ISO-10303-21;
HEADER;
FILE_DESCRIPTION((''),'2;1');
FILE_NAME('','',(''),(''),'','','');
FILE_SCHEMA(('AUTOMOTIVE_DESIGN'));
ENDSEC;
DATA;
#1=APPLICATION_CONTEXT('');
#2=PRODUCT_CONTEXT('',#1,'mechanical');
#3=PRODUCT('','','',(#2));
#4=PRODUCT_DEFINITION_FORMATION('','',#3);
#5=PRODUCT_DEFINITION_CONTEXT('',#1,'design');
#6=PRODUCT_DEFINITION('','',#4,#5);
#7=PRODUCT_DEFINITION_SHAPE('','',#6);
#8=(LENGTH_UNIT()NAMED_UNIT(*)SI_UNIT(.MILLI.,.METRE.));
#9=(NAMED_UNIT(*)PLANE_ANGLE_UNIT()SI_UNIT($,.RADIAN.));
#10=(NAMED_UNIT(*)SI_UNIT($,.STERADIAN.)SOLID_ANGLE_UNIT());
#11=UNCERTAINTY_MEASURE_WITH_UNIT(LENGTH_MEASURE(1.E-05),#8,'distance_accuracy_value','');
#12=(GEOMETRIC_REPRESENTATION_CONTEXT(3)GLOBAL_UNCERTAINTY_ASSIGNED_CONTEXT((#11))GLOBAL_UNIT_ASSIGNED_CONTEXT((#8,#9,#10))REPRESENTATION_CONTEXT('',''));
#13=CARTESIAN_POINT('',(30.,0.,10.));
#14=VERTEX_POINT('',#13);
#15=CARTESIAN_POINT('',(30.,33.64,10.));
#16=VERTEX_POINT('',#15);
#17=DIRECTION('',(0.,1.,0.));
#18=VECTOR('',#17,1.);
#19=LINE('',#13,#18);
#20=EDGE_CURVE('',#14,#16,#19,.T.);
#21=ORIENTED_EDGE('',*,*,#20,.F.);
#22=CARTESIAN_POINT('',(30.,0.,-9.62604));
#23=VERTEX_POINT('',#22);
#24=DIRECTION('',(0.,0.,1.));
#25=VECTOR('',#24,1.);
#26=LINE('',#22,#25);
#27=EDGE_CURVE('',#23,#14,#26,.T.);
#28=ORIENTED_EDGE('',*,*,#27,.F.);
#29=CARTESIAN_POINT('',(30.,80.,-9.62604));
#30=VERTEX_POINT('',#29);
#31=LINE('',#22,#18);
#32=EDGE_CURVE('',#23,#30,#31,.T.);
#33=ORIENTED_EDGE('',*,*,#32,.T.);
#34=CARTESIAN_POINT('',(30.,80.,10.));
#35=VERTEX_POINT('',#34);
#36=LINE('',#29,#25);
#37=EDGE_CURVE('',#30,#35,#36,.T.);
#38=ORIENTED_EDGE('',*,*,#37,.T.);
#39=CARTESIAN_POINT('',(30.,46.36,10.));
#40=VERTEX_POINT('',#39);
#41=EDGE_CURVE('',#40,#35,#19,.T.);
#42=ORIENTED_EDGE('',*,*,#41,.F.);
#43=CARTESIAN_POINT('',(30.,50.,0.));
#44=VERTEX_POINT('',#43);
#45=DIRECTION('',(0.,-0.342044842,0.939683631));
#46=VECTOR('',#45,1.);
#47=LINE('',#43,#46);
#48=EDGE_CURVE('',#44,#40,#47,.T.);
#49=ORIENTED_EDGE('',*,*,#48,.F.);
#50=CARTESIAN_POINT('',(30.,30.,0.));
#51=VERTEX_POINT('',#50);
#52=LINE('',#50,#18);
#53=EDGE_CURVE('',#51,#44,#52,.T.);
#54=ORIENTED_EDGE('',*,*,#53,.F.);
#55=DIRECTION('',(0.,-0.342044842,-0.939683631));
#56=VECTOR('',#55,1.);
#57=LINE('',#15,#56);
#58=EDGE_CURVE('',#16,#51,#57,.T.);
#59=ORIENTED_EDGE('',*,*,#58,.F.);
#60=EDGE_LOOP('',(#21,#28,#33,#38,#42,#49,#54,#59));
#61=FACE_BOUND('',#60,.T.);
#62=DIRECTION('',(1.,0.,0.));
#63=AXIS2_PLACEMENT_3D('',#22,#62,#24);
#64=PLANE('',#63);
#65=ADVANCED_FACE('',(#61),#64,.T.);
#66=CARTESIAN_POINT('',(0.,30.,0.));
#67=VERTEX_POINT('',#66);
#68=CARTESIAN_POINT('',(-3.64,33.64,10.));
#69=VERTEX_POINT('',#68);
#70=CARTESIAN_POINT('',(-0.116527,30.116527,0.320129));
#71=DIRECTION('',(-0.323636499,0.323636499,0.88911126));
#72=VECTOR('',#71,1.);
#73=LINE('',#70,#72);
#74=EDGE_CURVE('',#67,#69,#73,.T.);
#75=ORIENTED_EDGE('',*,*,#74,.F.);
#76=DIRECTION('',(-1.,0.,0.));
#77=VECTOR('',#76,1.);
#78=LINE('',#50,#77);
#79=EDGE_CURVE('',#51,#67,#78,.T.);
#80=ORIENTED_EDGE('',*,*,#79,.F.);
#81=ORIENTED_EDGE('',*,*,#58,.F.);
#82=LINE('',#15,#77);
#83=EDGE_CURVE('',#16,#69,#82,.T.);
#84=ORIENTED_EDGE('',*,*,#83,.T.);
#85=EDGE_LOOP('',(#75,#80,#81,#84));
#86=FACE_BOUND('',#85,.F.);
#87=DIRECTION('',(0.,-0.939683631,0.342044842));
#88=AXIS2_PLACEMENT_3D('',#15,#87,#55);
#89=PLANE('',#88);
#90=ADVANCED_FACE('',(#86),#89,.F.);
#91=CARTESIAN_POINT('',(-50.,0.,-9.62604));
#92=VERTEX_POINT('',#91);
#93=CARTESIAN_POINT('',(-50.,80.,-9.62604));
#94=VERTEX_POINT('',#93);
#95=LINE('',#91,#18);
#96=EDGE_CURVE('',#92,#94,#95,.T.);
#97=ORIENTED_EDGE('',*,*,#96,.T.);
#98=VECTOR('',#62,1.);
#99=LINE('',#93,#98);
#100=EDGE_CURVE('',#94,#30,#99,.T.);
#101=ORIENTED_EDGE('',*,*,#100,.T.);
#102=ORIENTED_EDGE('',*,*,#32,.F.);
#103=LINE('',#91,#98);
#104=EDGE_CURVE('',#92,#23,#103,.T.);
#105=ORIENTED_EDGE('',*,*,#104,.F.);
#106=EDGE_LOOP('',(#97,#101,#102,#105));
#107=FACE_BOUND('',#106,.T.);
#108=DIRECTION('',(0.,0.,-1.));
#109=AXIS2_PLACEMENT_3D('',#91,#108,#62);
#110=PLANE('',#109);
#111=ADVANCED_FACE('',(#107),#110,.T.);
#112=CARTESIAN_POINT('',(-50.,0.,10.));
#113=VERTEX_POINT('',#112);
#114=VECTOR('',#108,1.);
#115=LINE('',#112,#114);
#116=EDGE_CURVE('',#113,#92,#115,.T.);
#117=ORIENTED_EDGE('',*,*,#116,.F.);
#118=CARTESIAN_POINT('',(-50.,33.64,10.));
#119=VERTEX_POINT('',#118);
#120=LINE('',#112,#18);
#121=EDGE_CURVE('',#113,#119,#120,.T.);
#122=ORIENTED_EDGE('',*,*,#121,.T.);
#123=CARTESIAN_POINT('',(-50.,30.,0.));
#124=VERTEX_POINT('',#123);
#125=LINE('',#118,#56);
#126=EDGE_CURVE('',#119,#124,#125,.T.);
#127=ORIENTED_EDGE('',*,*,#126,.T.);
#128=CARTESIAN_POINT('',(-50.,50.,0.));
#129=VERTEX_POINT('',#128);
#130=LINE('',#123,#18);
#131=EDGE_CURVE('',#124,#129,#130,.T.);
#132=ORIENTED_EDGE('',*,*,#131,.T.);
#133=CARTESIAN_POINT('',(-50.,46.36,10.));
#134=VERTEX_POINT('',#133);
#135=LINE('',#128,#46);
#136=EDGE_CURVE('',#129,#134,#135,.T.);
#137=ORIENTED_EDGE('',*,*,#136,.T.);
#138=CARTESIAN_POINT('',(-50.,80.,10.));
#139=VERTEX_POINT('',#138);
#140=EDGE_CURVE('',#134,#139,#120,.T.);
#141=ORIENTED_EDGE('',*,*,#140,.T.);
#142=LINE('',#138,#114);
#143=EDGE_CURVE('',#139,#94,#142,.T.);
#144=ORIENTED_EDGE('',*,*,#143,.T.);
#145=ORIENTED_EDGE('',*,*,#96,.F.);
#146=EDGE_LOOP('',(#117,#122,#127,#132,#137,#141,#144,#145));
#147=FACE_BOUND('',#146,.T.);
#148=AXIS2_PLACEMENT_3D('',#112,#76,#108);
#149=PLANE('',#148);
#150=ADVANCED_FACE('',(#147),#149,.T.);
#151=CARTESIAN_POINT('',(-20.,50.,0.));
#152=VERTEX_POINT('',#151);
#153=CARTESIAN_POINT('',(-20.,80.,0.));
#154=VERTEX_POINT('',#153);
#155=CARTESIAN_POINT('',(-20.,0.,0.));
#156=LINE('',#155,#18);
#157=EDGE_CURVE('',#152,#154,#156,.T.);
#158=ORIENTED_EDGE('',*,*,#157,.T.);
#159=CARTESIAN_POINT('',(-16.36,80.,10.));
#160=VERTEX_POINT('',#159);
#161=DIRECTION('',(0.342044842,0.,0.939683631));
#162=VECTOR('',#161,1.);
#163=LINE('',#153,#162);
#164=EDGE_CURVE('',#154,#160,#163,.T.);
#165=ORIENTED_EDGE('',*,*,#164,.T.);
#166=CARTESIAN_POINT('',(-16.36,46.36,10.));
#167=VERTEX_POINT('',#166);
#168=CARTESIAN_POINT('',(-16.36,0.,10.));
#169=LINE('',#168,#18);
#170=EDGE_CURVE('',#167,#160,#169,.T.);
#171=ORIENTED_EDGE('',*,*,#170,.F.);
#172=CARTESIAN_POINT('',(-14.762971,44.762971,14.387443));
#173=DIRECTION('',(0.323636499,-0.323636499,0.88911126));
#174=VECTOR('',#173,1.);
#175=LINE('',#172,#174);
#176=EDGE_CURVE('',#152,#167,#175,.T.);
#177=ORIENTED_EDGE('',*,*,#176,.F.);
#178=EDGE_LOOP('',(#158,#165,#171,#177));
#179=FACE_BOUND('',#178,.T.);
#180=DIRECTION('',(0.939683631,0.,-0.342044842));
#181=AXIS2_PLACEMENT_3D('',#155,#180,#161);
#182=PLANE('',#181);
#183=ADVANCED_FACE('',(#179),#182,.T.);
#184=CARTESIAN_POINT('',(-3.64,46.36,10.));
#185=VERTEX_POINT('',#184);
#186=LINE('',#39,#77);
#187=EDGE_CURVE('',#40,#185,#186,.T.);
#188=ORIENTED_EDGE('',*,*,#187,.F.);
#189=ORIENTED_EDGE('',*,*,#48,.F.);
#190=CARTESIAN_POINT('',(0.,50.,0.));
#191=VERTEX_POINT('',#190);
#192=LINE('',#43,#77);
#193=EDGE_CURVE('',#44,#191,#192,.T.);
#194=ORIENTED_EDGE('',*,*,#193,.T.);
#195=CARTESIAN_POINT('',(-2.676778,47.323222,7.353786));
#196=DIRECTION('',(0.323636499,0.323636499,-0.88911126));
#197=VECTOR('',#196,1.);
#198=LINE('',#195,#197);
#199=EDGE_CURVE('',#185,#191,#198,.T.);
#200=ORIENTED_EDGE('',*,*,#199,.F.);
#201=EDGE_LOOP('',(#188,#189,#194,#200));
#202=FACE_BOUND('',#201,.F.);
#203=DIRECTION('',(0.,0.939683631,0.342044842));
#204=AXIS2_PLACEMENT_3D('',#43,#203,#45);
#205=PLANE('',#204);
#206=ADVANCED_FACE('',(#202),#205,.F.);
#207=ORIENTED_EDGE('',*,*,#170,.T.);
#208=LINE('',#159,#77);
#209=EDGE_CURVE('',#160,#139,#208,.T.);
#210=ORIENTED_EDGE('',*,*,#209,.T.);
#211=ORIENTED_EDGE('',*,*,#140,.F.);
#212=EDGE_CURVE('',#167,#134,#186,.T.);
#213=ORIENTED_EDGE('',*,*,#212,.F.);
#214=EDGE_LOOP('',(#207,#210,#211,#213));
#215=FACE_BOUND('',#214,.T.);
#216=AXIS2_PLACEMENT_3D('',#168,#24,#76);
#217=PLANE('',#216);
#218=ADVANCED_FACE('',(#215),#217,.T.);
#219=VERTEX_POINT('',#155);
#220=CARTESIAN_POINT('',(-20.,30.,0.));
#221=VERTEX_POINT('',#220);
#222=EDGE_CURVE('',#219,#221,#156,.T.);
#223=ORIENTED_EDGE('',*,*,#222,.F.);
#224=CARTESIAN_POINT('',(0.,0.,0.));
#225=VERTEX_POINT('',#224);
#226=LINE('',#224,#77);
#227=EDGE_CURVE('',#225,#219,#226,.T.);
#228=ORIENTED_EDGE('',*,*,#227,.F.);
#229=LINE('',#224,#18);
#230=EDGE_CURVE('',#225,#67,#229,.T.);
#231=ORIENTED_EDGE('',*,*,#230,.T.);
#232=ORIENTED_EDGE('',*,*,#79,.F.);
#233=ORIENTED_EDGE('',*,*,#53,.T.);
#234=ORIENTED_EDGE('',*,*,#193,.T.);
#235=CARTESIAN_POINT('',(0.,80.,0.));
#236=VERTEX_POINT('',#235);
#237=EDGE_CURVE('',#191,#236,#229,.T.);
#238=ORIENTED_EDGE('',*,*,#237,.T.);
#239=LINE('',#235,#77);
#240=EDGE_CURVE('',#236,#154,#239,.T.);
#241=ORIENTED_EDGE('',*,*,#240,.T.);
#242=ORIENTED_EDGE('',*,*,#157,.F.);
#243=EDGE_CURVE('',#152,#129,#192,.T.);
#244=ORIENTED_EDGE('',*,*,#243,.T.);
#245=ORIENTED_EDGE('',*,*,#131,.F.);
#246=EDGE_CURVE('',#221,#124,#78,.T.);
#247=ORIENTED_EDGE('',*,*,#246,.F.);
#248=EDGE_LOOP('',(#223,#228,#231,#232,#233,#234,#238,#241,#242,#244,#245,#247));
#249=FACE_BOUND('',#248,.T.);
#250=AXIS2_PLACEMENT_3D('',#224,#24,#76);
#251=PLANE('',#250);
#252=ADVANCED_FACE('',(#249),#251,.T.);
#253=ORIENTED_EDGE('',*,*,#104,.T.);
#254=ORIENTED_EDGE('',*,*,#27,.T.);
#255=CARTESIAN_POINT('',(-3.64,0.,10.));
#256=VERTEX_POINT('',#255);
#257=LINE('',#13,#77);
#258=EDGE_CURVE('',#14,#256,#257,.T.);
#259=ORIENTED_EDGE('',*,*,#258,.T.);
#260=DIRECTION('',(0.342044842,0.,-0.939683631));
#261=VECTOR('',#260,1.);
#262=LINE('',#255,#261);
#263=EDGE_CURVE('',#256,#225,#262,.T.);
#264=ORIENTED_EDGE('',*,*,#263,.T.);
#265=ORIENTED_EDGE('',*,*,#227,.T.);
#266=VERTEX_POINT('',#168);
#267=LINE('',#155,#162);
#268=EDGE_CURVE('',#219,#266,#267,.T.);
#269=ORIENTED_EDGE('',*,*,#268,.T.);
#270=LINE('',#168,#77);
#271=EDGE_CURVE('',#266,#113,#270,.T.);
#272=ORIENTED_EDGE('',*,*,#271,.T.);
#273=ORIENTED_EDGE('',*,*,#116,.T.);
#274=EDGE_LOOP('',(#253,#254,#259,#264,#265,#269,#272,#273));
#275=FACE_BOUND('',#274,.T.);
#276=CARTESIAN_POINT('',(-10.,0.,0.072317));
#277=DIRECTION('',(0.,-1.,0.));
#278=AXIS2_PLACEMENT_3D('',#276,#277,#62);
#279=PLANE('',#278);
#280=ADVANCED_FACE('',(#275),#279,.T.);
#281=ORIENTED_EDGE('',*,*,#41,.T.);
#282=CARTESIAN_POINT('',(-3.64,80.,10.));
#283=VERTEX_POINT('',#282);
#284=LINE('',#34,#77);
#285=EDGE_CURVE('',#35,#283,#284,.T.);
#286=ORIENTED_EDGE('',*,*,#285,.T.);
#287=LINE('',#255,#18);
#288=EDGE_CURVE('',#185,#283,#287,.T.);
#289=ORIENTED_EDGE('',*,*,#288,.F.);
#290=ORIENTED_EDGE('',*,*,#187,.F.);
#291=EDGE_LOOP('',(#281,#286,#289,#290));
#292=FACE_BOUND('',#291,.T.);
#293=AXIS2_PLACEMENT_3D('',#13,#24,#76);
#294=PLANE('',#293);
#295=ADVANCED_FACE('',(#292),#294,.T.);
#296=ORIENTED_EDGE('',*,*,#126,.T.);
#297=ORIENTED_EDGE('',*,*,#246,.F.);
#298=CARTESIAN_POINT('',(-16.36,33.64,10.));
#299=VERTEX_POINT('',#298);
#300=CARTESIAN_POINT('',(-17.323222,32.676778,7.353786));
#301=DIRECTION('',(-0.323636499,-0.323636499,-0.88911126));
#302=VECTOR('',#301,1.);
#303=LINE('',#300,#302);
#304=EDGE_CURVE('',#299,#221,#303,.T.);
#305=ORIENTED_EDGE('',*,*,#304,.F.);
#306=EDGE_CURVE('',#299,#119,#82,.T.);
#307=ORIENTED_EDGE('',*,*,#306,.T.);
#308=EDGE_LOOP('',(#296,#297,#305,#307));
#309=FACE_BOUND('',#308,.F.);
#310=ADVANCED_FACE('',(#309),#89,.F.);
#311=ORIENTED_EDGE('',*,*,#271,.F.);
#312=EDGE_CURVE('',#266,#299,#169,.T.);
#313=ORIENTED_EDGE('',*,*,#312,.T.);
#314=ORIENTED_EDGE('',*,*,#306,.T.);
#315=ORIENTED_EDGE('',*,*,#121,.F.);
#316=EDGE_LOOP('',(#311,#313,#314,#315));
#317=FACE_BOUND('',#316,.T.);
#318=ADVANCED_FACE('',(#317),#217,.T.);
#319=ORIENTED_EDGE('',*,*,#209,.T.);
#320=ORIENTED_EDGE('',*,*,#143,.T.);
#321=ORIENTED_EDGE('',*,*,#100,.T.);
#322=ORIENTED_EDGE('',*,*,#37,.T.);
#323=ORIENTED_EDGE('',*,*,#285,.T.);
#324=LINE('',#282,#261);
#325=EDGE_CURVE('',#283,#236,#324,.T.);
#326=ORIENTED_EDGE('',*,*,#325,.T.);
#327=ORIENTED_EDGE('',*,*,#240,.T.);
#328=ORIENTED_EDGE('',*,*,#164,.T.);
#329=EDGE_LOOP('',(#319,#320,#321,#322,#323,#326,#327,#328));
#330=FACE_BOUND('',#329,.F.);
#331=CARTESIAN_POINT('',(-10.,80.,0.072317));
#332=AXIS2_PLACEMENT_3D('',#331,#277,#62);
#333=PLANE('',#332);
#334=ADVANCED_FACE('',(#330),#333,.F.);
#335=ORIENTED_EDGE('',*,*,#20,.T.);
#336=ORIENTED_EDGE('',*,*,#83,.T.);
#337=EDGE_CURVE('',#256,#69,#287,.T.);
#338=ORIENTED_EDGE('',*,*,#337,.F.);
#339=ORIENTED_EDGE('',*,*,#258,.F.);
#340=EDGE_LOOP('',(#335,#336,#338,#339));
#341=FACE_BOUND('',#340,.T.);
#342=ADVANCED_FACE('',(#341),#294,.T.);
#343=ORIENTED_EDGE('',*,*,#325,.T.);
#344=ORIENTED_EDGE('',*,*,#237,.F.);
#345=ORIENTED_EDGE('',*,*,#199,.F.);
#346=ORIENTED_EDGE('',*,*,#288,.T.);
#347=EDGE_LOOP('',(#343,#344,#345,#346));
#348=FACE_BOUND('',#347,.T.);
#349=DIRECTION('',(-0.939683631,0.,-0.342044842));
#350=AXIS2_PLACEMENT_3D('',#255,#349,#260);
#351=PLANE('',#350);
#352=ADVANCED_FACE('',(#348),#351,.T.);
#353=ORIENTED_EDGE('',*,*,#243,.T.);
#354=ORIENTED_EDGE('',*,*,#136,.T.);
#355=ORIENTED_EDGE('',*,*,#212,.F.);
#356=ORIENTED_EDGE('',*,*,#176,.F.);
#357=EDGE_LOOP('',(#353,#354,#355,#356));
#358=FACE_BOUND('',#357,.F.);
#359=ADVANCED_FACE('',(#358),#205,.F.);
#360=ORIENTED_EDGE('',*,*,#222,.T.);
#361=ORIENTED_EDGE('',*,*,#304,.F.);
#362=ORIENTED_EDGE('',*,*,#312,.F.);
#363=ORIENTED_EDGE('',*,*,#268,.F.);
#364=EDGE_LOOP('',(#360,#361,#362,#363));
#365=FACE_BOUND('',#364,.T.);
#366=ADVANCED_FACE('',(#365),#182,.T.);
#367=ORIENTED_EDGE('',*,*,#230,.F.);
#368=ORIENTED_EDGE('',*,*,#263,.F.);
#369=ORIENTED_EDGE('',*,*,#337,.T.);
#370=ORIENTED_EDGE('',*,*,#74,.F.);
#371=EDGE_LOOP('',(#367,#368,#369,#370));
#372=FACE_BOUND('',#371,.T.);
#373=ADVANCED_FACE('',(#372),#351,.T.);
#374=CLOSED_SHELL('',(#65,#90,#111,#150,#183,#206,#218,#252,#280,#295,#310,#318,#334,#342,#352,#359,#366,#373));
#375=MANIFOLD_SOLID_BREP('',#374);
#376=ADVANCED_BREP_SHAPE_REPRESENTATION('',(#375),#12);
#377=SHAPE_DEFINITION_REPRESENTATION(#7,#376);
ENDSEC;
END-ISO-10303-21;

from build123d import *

# Parameters (mm, degrees)
F1_DEPTH = 80
F3_DEPTH = 80


with BuildPart() as f1:
    # F0 (on Front) → F1 (new body)
    with BuildSketch(Plane.XZ):
        Polygon((-3.64, 10), (0, 0), (-20, 0), (-16.36, 10), (-20, 10), (-50, 10), (-50, -9.62604), (-10, -9.62604), (30, -9.62604), (30, 10), (0, 10), align=None)
    extrude(amount=-F1_DEPTH)

    # F2 (on face) → F3 (cut)
    with BuildSketch(Plane.YZ.offset(30)):
        Polygon((33.64, 10), (30, 0), (50, 0), (46.36, 10), align=None)
    extrude(amount=-F3_DEPTH, mode=Mode.SUBTRACT)


solid = f1.part
